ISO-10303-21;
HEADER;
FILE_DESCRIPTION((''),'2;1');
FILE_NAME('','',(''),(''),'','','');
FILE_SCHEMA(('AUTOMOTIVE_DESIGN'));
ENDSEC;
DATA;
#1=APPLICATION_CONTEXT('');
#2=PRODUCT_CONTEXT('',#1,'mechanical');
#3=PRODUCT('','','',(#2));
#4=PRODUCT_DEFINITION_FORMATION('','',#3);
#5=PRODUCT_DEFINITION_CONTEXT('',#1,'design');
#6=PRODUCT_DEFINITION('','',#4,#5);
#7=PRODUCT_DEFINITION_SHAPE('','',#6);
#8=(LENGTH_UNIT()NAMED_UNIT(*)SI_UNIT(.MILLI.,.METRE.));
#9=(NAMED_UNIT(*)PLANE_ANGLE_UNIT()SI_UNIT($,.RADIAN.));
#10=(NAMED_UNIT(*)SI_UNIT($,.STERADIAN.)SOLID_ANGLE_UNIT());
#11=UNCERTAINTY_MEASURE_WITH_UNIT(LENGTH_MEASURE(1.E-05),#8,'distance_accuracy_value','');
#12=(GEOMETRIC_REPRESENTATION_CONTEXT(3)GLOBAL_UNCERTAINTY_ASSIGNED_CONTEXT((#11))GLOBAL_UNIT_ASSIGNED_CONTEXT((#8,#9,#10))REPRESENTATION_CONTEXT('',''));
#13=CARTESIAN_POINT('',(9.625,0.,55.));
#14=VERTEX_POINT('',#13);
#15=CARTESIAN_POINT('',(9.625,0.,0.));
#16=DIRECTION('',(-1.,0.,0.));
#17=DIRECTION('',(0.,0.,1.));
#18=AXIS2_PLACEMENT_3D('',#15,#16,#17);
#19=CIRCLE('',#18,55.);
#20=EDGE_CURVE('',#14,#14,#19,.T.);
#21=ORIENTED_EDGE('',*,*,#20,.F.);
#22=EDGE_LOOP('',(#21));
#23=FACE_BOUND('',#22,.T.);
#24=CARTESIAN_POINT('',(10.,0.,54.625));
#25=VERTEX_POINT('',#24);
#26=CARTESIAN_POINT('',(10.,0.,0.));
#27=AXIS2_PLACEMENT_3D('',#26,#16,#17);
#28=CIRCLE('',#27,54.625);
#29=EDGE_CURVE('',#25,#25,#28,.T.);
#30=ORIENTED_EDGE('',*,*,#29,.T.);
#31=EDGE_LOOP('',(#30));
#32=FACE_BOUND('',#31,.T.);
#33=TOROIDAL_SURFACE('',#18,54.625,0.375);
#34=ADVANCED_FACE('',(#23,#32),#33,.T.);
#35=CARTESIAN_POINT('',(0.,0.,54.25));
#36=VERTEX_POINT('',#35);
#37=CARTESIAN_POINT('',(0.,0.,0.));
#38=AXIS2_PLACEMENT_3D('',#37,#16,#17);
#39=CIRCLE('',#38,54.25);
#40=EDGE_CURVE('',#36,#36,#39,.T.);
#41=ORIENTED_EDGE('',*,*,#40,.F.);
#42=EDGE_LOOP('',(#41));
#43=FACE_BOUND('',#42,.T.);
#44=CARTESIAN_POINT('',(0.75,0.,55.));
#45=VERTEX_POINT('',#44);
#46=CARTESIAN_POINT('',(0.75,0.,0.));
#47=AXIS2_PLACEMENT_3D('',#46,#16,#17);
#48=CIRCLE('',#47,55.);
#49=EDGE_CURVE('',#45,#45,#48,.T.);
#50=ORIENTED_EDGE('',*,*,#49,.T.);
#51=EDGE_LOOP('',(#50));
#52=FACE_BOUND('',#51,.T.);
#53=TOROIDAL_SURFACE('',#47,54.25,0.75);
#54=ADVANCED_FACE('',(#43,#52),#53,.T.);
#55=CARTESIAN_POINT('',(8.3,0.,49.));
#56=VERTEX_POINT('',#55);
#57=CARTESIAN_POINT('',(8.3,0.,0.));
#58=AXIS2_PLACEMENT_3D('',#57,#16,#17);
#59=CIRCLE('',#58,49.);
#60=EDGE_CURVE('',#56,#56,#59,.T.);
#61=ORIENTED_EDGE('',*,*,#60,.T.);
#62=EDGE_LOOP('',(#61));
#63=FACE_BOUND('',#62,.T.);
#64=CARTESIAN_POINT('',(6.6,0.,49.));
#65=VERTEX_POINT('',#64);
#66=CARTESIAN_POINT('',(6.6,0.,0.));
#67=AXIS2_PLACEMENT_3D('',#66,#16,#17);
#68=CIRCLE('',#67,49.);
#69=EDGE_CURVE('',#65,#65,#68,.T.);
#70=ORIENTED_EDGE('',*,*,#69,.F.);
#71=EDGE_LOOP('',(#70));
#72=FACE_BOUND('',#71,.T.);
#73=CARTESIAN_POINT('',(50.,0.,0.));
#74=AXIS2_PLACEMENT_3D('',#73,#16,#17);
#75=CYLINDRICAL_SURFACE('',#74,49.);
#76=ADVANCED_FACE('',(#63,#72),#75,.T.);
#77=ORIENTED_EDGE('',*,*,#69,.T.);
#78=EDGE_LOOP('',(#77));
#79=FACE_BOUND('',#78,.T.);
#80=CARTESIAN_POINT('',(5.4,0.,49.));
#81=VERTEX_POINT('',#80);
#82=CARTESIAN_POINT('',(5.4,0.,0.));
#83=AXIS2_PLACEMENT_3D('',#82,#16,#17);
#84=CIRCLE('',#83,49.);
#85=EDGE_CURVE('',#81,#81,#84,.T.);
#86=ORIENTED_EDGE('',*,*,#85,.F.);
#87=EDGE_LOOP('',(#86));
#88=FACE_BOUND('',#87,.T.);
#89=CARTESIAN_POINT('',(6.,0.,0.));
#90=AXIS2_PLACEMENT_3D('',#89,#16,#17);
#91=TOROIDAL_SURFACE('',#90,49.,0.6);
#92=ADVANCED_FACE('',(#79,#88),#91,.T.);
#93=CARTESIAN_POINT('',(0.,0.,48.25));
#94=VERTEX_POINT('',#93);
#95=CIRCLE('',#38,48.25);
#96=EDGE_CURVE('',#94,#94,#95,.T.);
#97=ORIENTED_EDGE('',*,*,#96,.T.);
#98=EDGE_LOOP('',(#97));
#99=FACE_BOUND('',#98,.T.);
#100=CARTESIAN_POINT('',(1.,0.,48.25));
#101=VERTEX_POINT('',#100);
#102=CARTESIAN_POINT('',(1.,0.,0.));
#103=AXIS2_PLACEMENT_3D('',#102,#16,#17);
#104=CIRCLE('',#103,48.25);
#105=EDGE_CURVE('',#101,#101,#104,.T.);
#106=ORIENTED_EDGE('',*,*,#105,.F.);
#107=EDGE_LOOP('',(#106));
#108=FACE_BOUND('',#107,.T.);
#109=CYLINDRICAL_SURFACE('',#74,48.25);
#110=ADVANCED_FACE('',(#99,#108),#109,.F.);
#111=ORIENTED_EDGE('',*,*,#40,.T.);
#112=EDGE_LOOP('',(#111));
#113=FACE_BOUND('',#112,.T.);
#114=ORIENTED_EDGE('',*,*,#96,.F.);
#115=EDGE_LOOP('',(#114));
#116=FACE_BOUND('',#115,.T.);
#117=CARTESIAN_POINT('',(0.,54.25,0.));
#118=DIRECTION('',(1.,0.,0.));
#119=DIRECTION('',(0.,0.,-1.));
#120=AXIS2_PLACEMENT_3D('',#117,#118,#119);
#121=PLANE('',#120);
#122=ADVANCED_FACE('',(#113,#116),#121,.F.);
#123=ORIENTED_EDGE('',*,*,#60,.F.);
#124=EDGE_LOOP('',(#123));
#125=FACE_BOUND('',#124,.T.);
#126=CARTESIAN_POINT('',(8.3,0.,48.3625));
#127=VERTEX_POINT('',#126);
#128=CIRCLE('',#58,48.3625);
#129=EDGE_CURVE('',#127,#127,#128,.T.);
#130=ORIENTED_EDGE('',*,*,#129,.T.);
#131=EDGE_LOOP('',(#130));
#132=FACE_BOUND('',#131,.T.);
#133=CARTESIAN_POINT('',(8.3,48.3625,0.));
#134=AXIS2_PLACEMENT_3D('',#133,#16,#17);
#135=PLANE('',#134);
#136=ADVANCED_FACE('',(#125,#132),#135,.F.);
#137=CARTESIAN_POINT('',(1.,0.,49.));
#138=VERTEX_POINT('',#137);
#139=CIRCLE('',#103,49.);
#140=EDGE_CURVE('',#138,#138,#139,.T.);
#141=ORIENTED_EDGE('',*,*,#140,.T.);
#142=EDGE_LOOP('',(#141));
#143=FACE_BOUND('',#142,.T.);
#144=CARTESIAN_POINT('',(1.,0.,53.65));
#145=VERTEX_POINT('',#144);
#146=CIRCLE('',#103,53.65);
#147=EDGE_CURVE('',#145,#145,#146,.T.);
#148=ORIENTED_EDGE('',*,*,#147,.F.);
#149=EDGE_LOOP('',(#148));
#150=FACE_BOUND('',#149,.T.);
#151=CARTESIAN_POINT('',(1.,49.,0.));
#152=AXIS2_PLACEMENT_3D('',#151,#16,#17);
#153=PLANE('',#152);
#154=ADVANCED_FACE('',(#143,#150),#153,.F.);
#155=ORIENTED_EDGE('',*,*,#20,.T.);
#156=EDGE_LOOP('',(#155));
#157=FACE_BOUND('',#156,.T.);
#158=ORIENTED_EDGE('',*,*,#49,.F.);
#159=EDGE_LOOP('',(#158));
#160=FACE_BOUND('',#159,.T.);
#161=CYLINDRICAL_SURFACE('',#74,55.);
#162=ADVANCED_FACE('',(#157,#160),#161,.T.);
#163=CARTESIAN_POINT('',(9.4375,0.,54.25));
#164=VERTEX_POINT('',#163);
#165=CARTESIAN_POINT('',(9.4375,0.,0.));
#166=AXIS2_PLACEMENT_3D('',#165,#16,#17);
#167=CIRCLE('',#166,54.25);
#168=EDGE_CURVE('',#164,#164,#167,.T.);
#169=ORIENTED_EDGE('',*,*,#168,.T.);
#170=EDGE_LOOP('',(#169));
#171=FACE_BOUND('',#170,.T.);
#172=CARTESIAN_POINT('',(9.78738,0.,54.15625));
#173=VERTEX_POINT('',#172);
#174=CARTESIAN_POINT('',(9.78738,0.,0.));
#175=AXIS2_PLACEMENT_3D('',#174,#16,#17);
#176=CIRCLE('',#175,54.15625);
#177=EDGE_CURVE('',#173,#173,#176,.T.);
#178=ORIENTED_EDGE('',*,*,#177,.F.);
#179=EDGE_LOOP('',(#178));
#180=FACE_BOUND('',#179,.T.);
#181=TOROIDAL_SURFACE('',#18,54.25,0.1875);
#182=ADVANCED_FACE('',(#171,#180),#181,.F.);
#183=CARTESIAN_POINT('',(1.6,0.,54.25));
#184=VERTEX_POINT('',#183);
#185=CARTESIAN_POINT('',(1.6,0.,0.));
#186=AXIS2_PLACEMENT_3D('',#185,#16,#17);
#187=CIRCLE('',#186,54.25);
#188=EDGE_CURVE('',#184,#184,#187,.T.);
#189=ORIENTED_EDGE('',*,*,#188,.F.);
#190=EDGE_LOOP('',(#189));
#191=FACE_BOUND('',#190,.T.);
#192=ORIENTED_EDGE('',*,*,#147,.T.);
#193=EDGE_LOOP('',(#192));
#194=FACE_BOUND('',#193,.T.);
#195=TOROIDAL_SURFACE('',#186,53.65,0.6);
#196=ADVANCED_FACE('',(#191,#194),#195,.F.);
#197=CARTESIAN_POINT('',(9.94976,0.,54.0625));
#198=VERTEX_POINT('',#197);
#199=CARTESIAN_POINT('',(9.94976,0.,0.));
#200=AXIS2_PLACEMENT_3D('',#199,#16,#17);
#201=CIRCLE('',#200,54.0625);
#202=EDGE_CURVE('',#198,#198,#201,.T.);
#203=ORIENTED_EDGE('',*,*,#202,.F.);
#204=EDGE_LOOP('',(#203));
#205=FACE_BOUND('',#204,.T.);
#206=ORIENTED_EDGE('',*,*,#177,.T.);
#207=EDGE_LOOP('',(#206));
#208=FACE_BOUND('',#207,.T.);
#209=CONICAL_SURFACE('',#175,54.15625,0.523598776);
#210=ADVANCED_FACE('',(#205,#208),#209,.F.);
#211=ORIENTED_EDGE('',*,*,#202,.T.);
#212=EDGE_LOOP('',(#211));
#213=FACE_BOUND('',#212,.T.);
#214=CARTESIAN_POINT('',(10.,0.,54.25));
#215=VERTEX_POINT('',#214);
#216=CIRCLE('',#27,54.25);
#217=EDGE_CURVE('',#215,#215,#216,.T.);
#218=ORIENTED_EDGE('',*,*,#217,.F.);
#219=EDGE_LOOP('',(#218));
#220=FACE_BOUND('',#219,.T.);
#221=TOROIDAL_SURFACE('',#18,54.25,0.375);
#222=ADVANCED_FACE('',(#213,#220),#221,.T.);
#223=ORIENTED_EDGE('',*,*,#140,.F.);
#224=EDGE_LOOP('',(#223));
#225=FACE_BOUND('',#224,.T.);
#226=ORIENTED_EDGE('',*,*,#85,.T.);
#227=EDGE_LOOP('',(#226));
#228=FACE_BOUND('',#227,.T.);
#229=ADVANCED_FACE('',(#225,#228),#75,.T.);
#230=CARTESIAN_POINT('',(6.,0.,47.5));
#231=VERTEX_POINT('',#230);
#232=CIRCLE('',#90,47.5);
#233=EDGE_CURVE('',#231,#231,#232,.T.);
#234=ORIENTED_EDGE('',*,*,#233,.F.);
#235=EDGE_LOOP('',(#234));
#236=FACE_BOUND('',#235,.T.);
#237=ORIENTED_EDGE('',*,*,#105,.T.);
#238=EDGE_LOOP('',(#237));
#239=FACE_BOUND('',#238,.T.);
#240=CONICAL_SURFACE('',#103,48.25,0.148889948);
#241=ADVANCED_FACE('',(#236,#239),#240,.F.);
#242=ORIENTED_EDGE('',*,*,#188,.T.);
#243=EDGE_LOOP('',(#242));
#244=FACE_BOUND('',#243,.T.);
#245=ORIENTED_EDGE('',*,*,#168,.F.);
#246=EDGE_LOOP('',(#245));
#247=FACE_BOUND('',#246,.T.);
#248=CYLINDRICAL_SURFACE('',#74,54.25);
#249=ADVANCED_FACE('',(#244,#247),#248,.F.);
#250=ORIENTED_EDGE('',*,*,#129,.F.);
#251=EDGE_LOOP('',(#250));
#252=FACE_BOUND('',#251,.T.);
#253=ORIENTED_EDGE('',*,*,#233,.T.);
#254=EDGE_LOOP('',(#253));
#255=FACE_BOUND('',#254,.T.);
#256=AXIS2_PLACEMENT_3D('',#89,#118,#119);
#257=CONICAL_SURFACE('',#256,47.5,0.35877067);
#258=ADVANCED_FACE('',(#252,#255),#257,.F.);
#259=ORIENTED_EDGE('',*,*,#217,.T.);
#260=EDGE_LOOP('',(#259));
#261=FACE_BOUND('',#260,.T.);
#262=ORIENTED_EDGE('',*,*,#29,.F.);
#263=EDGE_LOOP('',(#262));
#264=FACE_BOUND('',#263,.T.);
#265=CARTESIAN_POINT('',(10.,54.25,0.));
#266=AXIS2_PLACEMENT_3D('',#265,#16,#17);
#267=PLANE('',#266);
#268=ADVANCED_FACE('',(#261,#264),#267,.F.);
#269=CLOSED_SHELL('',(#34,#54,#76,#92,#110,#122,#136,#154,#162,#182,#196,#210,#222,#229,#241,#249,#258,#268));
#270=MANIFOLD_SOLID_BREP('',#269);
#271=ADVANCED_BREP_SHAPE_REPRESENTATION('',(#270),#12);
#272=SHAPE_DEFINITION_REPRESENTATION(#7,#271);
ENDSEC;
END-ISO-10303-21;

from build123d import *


with BuildPart() as part:
    # Schizzo1 → Rivoluzione1 (revolve)
    with BuildSketch(Plane.XY, mode=Mode.PRIVATE) as rivoluzione1_sk:
        with BuildLine():
            Line((0, 54.25), (0, 48.25))
            Line((0, 48.25), (1, 48.25))
            Line((1, 48.25), (6, 47.5))
            Line((6, 47.5), (8.3, 48.3625))
            Line((8.3, 48.3625), (8.3, 49))
            Line((8.3, 49), (6.6, 49))
            ThreePointArc((6.6, 49), (6, 49.6), (5.4, 49))
            Line((5.4, 49), (1, 49))
            Line((1, 49), (1, 53.65))
            ThreePointArc((1, 53.65), (1.175735931, 54.074264069), (1.6, 54.25))
            Line((1.6, 54.25), (9.4375, 54.25))
            ThreePointArc((9.4375, 54.25), (9.673528571, 54.431111092), (9.787379763, 54.15625))
            Line((9.787379763, 54.15625), (9.949759526, 54.0625))
            ThreePointArc((9.949759526, 54.0625), (9.987222185, 54.152942858), (10, 54.25))
            Line((10, 54.25), (10, 54.625))
            ThreePointArc((10, 54.625), (9.890165043, 54.890165043), (9.625, 55))
            Line((9.625, 55), (0.75, 55))
            ThreePointArc((0.75, 55), (0.219669914, 54.780330086), (0, 54.25))
        make_face()
    revolve(rivoluzione1_sk.sketch.rotate(Axis((50, 0, 0), (-1, 0, 0)), 270), axis=Axis((50, 0, 0), (-1, 0, 0)))


solid = part.part
